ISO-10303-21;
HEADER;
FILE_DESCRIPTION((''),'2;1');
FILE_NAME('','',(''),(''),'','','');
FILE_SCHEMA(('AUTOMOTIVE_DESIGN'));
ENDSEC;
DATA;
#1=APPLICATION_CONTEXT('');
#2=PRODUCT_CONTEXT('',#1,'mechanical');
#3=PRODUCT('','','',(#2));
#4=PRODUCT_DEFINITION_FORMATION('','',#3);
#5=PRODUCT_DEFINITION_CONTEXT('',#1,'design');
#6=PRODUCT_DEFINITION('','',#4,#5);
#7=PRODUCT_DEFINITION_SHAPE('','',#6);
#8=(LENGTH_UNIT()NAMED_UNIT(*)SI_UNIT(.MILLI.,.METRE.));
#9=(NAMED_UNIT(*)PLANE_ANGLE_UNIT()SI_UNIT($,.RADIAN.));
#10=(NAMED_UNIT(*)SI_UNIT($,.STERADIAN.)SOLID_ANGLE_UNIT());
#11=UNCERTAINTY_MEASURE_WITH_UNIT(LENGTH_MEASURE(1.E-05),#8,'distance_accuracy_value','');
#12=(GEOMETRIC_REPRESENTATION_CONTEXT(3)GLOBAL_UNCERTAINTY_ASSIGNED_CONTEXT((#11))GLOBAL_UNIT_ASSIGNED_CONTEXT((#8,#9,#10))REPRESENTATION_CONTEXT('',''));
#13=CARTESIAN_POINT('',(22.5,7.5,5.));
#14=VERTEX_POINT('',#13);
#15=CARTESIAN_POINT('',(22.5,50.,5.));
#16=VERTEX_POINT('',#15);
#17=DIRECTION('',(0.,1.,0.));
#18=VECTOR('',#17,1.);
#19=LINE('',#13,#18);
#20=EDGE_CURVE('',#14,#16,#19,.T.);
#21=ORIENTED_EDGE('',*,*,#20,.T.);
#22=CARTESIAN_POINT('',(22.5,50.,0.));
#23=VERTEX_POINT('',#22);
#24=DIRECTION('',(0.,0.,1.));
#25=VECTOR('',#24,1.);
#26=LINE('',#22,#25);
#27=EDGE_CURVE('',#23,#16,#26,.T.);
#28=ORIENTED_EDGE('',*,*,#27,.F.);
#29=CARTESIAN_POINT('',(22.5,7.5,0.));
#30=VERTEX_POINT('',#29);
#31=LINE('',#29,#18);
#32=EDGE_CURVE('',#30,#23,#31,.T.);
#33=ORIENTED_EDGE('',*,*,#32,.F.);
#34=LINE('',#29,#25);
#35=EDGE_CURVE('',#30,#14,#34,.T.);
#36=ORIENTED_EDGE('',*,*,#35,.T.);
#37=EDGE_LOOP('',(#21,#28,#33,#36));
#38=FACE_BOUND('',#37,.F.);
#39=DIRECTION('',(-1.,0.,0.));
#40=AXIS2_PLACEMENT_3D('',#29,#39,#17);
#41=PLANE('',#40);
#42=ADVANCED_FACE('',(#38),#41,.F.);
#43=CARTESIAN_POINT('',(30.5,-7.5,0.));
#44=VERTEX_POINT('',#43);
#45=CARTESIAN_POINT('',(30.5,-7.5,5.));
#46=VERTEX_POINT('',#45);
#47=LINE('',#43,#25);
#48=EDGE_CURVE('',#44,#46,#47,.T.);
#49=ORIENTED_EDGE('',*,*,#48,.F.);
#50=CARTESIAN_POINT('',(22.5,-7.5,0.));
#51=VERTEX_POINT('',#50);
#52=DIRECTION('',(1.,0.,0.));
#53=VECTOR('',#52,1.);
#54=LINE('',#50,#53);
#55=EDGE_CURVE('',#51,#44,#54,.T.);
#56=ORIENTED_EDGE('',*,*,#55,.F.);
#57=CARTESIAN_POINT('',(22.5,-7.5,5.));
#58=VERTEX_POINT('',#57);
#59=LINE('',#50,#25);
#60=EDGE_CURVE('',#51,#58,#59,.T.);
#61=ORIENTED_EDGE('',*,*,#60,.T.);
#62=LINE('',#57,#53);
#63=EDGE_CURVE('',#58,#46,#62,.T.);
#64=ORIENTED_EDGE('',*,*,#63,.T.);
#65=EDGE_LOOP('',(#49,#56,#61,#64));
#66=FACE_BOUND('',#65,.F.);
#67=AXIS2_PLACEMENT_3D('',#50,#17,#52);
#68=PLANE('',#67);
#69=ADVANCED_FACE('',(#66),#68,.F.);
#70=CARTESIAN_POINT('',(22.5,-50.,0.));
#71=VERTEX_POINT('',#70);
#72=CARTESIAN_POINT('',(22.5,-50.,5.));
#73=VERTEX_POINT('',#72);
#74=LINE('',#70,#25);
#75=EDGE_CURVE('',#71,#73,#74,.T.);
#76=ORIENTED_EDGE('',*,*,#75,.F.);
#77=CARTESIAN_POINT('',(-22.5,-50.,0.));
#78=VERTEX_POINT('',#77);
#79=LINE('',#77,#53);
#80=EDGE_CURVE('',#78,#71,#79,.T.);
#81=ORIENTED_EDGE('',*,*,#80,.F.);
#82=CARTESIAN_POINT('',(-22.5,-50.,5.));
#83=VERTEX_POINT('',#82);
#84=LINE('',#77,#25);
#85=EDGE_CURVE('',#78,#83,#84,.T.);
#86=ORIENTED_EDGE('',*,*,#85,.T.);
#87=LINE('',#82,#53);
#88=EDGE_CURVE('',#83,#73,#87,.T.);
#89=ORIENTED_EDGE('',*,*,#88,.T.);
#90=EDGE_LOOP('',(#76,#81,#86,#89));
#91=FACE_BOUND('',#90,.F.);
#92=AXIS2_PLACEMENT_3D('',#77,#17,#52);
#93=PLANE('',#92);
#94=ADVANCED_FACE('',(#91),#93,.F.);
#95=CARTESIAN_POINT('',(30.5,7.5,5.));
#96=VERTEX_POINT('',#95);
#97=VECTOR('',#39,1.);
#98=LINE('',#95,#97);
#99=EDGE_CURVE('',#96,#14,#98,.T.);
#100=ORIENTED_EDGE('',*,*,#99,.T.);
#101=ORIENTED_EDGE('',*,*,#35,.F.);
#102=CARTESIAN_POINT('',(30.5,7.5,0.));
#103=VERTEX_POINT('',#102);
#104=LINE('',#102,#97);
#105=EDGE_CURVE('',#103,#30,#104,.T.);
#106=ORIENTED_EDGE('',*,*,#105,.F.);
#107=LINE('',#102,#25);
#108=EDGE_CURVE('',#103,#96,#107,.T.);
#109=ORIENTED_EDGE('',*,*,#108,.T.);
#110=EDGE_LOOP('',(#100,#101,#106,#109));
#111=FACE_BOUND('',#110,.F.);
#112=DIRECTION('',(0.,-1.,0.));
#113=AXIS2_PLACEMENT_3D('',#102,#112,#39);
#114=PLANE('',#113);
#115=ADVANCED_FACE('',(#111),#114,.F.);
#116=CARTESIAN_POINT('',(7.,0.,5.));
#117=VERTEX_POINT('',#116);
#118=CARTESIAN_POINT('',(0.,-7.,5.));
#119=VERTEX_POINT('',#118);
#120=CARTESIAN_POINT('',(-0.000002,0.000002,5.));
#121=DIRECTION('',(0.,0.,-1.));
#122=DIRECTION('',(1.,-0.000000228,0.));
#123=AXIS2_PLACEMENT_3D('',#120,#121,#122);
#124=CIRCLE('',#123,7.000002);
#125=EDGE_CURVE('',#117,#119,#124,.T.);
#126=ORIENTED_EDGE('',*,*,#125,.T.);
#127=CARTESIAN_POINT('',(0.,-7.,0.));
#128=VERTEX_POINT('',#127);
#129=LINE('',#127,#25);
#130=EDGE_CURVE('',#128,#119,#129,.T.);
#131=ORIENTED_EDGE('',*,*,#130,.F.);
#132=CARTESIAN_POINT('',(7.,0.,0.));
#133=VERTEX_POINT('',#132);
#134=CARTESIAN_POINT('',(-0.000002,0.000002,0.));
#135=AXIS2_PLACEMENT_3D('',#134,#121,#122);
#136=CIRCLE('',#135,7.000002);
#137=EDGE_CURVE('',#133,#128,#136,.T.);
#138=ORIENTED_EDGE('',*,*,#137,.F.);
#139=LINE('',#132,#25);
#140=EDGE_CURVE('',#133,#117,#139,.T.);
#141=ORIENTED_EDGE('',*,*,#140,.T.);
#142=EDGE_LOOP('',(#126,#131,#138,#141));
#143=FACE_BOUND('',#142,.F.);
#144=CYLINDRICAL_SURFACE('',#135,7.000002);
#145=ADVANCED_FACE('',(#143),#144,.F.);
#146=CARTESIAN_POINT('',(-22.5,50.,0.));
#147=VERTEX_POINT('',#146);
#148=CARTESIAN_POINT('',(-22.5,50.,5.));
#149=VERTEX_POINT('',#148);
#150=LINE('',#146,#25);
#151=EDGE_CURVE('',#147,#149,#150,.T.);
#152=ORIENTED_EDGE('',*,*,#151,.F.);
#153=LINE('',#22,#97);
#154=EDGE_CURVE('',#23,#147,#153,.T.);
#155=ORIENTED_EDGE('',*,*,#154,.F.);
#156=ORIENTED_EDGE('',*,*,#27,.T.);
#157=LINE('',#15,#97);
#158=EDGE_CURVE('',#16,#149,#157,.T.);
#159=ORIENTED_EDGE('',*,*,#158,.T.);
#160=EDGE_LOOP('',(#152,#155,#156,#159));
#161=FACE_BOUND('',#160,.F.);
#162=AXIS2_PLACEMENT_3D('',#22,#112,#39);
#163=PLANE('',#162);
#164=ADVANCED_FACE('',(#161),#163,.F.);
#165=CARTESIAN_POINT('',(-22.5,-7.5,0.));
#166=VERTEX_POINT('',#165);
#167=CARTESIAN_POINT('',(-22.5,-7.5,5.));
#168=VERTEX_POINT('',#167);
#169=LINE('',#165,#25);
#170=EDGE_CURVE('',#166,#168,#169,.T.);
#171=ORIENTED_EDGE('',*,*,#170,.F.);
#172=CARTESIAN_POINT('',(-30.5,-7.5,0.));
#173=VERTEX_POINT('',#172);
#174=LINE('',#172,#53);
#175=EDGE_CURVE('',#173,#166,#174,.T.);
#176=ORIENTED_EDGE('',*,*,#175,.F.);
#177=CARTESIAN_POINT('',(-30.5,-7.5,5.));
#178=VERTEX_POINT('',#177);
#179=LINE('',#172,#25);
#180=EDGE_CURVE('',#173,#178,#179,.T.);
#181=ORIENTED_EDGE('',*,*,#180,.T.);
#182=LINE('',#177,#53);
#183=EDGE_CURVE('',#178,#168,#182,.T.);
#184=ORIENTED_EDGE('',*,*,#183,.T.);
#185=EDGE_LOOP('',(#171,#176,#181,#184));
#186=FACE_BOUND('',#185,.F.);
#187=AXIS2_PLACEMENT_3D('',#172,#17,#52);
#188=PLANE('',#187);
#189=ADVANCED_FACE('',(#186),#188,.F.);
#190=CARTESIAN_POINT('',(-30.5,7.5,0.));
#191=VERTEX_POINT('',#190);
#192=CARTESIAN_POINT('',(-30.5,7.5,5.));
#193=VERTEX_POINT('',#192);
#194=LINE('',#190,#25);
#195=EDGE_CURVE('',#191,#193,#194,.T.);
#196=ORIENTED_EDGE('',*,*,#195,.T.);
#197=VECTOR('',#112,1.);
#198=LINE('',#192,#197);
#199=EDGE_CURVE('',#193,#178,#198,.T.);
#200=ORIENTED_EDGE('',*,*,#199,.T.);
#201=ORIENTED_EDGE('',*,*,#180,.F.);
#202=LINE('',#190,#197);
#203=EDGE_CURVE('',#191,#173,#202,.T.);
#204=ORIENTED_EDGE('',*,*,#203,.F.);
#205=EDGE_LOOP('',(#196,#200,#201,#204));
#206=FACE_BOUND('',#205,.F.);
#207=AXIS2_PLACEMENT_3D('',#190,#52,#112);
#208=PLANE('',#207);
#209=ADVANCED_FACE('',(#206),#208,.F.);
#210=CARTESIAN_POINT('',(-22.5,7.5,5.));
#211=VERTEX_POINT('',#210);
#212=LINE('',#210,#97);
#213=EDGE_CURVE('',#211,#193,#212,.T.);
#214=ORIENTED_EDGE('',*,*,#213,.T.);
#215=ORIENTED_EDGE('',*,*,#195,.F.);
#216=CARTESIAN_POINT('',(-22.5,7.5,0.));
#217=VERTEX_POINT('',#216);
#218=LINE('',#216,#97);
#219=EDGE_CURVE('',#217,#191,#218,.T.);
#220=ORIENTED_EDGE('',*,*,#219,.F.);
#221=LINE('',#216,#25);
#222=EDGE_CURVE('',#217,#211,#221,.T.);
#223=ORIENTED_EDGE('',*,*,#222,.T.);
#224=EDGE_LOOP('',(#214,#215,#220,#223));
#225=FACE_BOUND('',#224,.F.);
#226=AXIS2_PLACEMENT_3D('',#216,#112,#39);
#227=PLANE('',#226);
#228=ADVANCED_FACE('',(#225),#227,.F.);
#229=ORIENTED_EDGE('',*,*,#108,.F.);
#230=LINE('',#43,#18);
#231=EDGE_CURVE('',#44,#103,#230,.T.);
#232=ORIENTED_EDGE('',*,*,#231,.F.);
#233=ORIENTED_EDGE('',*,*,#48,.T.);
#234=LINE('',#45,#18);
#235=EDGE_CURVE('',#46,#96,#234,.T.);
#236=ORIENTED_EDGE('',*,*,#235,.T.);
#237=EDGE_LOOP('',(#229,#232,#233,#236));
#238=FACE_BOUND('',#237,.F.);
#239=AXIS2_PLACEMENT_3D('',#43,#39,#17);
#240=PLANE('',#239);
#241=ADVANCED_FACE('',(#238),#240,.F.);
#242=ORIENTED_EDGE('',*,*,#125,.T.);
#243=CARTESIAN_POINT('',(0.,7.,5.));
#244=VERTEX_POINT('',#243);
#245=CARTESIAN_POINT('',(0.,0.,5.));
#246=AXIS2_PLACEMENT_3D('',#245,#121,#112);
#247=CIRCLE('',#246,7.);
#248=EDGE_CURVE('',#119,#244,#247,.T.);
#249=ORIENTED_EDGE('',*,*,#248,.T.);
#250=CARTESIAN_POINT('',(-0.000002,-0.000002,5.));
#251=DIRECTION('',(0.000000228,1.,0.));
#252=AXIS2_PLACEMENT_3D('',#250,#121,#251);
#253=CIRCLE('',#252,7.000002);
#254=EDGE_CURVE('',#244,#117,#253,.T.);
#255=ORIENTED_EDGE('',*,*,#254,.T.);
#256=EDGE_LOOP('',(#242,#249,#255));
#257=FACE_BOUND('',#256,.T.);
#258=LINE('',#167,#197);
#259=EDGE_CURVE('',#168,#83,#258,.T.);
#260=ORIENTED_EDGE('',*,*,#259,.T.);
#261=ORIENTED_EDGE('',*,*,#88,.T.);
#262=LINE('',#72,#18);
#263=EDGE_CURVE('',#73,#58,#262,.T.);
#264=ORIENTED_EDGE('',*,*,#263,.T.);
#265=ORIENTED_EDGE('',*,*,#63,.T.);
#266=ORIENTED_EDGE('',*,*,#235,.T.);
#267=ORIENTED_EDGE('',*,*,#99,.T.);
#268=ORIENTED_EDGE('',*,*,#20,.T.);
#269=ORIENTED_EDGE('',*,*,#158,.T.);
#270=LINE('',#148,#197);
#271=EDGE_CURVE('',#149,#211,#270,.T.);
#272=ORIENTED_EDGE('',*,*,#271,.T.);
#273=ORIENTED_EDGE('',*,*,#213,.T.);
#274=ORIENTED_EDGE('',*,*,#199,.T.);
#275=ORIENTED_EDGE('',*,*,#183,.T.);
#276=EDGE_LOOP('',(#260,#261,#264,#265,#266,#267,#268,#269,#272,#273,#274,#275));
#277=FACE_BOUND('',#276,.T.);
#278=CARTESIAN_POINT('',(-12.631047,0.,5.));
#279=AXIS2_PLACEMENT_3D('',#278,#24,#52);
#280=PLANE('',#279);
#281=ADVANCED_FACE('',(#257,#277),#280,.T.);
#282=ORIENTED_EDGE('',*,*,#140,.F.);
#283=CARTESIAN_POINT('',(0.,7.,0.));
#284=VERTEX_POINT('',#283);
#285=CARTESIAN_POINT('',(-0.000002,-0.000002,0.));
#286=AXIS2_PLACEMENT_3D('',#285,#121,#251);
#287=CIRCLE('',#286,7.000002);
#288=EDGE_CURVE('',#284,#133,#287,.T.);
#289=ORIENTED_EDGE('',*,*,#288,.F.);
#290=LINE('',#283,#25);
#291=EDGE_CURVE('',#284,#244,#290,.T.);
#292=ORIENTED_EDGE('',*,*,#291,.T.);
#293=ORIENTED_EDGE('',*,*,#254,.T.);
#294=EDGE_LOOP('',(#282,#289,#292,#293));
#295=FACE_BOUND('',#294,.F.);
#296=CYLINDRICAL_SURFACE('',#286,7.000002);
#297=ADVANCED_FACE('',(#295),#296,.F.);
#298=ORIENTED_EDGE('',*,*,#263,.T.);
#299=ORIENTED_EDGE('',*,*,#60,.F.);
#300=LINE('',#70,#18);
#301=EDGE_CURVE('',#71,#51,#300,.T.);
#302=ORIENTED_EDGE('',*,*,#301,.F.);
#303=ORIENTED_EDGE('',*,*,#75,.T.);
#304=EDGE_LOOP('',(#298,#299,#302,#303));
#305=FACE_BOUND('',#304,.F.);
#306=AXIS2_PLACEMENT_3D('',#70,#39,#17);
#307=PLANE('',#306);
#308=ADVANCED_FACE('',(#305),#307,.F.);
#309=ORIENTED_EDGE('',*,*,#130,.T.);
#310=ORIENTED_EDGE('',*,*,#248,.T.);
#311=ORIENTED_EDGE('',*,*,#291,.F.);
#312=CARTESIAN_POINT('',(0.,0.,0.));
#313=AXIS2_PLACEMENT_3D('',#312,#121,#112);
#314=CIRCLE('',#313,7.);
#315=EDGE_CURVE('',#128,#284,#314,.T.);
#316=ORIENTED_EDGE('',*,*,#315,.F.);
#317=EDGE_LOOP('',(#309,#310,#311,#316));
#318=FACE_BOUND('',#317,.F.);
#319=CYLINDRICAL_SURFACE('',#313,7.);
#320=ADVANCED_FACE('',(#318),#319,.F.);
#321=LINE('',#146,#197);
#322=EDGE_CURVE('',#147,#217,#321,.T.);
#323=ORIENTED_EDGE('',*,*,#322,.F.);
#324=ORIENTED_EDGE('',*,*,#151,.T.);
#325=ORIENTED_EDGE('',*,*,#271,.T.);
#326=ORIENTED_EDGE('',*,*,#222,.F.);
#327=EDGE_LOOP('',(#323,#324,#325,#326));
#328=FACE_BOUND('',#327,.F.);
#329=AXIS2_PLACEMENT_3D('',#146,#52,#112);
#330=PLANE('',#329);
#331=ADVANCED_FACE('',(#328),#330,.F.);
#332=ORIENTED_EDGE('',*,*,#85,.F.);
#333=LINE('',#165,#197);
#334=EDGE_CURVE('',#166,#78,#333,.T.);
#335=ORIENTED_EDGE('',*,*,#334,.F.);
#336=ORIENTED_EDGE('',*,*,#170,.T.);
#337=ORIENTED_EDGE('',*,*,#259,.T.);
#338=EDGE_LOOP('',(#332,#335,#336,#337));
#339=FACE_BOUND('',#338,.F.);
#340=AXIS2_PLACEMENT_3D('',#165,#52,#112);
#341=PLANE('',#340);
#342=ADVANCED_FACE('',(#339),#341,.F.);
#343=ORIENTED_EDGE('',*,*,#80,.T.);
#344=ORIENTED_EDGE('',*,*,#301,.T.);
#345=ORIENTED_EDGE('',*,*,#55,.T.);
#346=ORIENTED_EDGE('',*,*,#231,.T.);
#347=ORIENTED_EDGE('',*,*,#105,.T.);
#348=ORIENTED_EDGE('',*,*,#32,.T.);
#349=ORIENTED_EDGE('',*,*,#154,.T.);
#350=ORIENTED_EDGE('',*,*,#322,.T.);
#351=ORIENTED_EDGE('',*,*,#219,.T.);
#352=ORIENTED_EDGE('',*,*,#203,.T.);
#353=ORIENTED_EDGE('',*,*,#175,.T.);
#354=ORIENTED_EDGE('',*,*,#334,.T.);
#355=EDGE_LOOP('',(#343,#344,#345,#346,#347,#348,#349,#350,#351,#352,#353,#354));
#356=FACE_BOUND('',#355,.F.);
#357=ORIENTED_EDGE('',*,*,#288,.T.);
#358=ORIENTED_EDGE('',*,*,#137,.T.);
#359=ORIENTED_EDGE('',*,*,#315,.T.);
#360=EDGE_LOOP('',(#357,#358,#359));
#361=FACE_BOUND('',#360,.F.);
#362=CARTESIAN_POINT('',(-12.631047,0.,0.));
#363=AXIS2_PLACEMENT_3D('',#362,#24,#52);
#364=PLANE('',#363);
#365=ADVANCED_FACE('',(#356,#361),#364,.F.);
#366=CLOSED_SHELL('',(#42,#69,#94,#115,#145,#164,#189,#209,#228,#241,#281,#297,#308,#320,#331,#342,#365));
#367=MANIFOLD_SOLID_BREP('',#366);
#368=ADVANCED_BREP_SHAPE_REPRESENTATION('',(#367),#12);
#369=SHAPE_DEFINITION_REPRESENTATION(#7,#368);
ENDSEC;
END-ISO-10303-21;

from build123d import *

# Parameters (mm, degrees)
F1_DEPTH = 5


with BuildPart() as f1:
    # F0 (on Top) → F1 (new body)
    with BuildSketch(Plane.XY):
        with BuildLine():
            Line((-22.5, 7.5), (-30.5, 7.5))
            Line((-30.5, 7.5), (-30.5, -7.5))
            Line((-30.5, -7.5), (-22.5, -7.5))
            Line((-22.5, -7.5), (-22.5, -50))
            Line((-22.5, -50), (0, -50))
            Line((0, -50), (0, -7))
            ThreePointArc((0, -7), (-7, 0), (0, 7))
            Line((0, 7), (0, 50))
            Line((0, 50), (-22.5, 50))
            Line((-22.5, 50), (-22.5, 7.5))
        make_face()
        with BuildLine():
            Line((22.5, 50), (0, 50))
            Line((0, 50), (0, 7))
            ThreePointArc((0, 7), (4.949747, 4.949747), (7, 0))
            ThreePointArc((7, 0), (4.949747, -4.949747), (0, -7))
            Line((0, -7), (0, -50))
            Line((0, -50), (22.5, -50))
            Line((22.5, -50), (22.5, -7.5))
            Line((22.5, -7.5), (30.5, -7.5))
            Line((30.5, -7.5), (30.5, 7.5))
            Line((30.5, 7.5), (22.5, 7.5))
            Line((22.5, 7.5), (22.5, 50))
        make_face()
    extrude(amount=F1_DEPTH)


solid = f1.part
